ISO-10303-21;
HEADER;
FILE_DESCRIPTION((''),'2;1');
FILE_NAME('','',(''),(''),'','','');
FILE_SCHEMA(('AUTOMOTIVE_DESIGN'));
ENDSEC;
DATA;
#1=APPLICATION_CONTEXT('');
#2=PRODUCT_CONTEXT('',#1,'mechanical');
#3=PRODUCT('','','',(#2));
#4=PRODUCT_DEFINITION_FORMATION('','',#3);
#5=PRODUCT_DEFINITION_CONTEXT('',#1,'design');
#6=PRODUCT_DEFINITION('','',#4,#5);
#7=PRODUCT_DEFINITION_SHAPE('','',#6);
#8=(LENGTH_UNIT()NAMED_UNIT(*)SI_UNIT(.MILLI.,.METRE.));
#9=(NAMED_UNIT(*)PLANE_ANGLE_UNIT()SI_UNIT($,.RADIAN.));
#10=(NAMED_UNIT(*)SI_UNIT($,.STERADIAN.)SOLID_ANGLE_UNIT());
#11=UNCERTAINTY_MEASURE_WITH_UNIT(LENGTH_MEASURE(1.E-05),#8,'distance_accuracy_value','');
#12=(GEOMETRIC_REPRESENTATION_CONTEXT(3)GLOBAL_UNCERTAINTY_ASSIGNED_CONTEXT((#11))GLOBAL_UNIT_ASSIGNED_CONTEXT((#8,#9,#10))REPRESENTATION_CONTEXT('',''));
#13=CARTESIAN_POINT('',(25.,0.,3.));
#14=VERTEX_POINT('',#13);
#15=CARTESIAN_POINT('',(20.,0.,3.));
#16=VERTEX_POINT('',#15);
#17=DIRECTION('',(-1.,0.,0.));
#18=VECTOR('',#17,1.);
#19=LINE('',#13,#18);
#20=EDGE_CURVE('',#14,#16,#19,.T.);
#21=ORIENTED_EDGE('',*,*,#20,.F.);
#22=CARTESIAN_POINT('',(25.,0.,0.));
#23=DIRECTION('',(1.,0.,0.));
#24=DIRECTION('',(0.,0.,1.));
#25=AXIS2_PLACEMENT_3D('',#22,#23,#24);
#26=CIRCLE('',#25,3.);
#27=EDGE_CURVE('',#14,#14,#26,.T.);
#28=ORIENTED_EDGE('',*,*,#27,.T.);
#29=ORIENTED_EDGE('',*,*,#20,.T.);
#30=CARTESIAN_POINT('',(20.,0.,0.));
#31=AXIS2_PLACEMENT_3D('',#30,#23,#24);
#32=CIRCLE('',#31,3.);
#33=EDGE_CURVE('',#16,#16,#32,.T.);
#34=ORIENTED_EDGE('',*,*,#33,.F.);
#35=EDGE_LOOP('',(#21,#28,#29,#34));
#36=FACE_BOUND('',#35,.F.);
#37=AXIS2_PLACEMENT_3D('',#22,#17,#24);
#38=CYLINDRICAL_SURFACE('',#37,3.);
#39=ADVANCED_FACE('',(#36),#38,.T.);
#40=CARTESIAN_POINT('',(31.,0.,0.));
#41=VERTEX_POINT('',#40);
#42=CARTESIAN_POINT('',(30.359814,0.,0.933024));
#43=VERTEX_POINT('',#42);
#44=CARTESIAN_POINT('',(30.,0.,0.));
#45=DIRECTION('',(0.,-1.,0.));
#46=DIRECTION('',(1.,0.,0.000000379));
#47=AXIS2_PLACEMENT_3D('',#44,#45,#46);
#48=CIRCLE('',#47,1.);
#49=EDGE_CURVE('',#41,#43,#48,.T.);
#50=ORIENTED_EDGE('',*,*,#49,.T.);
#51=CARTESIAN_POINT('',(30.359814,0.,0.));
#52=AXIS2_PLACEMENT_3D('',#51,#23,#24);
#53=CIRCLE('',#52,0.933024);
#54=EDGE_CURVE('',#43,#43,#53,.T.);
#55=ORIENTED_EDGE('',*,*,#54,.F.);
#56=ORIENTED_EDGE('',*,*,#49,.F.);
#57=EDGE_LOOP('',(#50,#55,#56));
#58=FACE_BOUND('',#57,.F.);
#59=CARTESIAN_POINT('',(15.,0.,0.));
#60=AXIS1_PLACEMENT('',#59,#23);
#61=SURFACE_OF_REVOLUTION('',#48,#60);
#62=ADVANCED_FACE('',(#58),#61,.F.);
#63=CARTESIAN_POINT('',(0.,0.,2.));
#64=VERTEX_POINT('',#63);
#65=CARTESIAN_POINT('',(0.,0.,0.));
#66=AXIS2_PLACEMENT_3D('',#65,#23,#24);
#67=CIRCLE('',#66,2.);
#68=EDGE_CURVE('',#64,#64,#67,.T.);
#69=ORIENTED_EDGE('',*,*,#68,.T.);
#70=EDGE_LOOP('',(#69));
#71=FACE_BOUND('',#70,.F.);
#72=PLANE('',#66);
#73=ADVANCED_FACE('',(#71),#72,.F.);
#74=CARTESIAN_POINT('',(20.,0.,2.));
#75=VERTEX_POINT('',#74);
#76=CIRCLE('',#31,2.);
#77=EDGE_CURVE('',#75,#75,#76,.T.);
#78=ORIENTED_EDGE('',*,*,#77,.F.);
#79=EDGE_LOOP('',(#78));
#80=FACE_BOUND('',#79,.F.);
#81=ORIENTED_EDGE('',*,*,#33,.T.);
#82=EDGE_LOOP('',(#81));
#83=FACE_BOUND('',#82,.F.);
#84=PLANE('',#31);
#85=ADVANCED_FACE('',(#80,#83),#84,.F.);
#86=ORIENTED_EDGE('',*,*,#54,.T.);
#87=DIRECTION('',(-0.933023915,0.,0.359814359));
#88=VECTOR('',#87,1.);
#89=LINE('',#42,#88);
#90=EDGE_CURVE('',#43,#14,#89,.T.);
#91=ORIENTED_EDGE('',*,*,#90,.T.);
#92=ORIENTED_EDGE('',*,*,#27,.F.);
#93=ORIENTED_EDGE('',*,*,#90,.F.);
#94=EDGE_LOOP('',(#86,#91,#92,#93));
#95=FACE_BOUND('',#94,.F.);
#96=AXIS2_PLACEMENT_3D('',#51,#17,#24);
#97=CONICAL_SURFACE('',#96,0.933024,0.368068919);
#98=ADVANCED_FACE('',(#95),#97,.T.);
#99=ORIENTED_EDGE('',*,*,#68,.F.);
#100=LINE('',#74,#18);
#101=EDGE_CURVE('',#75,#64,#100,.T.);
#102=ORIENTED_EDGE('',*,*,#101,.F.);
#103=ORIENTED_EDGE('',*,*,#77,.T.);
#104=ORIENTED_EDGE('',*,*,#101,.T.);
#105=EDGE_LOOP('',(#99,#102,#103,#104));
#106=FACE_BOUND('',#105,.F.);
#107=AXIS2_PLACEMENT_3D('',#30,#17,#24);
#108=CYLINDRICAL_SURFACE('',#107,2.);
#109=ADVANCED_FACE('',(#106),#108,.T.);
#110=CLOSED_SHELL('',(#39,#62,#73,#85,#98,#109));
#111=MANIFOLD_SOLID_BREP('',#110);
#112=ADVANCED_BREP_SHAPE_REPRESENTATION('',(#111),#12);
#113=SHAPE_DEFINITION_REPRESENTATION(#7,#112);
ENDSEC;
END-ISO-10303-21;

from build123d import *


with BuildPart() as f1:
    # F0 (on Front) → F1 (revolve)
    with BuildSketch(Plane.XZ):
        with BuildLine():
            Line((0, 2), (0, 0))
            Line((0, 0), (30, 0))
            Line((30, 0), (31, 0))
            ThreePointArc((31, 0), (30.824565, 0.565767), (30.359814, 0.933024))
            Line((30.359814, 0.933024), (25, 3))
            Line((25, 3), (20, 3))
            Line((20, 3), (20, 2))
            Line((20, 2), (0, 2))
        make_face()
    revolve(axis=Axis((15, 0, 0), (1, 0, 0)))


solid = f1.part
